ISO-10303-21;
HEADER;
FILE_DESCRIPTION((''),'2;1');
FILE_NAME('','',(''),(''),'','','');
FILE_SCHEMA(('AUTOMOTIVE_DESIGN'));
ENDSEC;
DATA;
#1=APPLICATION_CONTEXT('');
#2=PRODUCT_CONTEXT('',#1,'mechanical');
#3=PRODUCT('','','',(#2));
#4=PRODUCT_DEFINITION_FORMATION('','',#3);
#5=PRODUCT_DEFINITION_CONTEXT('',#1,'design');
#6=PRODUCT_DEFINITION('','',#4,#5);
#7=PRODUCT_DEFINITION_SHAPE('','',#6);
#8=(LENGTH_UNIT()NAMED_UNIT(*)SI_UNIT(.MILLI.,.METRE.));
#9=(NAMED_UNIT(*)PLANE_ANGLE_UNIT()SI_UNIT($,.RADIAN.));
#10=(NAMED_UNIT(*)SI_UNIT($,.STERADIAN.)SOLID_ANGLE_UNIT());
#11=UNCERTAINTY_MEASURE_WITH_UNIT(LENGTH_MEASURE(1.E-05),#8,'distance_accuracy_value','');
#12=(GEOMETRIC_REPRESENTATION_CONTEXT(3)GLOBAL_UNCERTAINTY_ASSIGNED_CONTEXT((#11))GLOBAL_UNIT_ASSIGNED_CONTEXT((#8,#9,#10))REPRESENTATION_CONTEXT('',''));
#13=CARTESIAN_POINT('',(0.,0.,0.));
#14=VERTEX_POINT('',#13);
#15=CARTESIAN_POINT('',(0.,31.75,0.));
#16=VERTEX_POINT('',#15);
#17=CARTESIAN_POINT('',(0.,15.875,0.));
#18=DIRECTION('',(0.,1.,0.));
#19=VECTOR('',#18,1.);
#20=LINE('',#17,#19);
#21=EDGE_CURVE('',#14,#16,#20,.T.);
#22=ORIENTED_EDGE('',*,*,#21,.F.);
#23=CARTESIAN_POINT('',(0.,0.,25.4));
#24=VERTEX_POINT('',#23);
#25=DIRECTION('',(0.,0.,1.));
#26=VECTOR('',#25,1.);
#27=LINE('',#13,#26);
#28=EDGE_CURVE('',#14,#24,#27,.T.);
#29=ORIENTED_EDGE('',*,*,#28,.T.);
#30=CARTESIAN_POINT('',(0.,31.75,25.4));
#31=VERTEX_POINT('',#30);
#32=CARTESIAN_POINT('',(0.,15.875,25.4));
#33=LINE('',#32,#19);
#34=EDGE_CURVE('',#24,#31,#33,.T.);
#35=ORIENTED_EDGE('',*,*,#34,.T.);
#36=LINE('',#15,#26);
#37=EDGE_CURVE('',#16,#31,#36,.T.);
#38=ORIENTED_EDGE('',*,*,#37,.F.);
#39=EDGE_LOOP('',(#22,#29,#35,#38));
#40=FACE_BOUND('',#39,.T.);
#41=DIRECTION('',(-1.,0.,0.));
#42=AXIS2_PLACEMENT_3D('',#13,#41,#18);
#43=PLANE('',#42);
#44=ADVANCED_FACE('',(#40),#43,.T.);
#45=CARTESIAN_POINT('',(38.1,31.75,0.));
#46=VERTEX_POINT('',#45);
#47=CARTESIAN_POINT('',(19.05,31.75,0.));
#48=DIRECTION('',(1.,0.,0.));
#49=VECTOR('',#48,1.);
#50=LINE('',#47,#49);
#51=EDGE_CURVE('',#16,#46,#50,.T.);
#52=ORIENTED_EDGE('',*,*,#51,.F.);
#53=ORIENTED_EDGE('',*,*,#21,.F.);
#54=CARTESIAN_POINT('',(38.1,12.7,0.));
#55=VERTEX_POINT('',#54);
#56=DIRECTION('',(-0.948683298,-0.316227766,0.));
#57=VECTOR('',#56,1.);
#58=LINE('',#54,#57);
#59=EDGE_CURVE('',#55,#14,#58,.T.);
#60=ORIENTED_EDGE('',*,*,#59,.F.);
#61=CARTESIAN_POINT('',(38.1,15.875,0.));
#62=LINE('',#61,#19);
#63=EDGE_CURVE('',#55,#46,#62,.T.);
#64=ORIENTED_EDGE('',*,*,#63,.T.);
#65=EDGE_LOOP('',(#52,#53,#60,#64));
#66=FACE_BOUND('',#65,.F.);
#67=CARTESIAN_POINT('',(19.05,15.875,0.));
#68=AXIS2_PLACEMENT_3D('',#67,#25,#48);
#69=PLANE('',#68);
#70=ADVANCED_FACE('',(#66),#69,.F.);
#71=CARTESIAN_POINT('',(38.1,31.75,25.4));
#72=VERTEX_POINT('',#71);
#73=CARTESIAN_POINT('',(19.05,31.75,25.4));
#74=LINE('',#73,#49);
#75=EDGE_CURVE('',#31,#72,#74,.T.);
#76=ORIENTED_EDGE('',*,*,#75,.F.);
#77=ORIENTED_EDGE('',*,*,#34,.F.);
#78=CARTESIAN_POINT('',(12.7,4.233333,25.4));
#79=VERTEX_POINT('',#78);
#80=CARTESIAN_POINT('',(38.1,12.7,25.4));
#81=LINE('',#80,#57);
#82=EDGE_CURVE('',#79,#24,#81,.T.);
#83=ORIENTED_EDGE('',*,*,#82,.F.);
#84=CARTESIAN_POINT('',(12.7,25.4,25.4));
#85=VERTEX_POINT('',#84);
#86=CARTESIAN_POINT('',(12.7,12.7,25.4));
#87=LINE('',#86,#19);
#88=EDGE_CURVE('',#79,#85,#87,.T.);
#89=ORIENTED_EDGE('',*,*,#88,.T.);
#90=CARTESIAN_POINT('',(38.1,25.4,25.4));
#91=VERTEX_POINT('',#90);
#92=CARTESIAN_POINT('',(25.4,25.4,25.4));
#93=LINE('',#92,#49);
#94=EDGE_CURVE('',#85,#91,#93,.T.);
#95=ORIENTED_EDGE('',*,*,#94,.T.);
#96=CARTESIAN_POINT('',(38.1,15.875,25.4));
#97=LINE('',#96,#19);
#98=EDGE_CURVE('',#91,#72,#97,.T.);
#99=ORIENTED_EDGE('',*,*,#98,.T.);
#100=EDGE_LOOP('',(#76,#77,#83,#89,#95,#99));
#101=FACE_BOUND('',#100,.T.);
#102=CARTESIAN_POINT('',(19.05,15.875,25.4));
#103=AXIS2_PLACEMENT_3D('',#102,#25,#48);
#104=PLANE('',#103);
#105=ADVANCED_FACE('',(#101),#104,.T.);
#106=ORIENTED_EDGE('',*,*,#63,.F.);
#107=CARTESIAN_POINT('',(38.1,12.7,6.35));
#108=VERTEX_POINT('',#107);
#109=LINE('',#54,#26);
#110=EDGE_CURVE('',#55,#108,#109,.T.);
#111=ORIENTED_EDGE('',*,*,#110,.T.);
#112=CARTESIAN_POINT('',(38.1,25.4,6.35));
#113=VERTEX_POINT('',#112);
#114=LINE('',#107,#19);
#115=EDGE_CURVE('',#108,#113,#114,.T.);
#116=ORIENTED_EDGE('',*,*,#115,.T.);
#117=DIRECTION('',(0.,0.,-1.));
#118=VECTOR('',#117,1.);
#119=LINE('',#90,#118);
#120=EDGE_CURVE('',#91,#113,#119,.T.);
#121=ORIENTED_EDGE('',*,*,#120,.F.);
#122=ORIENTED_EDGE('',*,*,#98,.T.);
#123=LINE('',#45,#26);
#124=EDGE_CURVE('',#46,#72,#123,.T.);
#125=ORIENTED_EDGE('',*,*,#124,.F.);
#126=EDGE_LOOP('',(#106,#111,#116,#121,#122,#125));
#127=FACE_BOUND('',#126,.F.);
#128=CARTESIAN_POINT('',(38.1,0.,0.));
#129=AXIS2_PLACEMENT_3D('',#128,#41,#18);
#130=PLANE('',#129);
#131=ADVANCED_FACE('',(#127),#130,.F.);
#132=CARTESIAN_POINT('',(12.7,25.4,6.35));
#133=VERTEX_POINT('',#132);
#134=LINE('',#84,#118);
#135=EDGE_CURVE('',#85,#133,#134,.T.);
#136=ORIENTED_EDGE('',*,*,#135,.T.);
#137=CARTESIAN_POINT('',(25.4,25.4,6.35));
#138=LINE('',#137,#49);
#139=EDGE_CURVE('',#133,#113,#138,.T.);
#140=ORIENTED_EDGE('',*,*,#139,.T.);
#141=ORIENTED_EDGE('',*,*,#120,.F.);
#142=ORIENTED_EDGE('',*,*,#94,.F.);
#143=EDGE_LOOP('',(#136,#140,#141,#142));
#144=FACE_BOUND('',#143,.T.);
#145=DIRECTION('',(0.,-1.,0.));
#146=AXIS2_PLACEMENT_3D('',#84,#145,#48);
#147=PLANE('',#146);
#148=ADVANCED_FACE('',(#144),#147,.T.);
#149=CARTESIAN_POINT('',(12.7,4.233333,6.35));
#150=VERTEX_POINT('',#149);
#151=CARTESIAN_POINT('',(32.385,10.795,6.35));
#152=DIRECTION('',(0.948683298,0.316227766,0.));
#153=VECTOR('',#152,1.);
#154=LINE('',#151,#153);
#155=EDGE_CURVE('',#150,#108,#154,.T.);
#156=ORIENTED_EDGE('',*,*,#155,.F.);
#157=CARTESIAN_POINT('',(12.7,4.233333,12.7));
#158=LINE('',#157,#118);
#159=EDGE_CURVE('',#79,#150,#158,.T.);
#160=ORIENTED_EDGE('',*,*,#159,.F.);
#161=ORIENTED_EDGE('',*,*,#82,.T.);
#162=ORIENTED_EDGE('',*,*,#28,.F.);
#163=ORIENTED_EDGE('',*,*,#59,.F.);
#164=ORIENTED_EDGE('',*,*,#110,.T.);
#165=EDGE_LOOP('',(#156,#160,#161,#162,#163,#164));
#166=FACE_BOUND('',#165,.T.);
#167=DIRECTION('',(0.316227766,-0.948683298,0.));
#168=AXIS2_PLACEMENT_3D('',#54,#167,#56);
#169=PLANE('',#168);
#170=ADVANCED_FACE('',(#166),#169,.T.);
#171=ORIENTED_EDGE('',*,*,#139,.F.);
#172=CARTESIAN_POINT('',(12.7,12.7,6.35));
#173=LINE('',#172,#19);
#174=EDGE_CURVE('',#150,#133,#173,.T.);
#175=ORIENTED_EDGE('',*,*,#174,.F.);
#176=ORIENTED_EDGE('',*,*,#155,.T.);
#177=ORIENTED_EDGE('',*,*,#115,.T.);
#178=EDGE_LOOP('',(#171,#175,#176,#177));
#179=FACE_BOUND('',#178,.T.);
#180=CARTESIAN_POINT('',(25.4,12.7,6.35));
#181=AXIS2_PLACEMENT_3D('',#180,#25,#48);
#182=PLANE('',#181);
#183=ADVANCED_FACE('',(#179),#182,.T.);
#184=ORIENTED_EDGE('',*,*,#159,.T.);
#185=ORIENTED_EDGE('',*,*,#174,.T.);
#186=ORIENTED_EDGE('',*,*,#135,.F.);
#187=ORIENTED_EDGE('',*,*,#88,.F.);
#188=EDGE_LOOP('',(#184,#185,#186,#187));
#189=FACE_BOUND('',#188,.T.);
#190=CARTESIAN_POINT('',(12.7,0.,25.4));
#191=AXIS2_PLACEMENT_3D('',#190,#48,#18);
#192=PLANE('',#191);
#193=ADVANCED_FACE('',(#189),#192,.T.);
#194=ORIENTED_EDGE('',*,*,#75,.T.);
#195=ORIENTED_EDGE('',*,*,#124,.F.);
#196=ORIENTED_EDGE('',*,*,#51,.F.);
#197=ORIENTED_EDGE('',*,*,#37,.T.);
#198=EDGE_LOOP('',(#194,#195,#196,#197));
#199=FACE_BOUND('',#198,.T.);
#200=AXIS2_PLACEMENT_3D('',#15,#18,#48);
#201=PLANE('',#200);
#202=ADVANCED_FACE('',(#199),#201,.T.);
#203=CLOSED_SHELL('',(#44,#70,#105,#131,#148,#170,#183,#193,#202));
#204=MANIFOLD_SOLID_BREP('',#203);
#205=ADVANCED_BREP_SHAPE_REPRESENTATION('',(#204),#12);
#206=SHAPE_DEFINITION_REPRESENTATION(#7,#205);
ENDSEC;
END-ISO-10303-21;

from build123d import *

# Parameters (mm, degrees)
F0_W     = 38.1
F0_H     = 31.75
F1_DEPTH = 25.4
F2_W     = 25.4
F2_H     = 25.4
F3_DEPTH = 19.05
F5_DEPTH = 25.4


with BuildPart() as f1:
    # F0 (on Top) → F1 (new body)
    with BuildSketch(Plane.XY):
        with Locations((19.05, 15.875)):
            Rectangle(F0_W, F0_H)
    extrude(amount=F1_DEPTH)

    # F2 (on face) → F3 (cut)
    with BuildSketch(Plane.XY.offset(25.4)):
        with Locations((25.4, 12.7)):
            Rectangle(F2_W, F2_H)
    extrude(amount=-F3_DEPTH, mode=Mode.SUBTRACT)

    # F4 (on Top) → F5 (cut)
    with BuildSketch(Plane.XY):
        Polygon((38.1, 12.7), (0, 0), (38.1, 0), align=None)
    extrude(amount=F5_DEPTH, mode=Mode.SUBTRACT)


solid = f1.part
